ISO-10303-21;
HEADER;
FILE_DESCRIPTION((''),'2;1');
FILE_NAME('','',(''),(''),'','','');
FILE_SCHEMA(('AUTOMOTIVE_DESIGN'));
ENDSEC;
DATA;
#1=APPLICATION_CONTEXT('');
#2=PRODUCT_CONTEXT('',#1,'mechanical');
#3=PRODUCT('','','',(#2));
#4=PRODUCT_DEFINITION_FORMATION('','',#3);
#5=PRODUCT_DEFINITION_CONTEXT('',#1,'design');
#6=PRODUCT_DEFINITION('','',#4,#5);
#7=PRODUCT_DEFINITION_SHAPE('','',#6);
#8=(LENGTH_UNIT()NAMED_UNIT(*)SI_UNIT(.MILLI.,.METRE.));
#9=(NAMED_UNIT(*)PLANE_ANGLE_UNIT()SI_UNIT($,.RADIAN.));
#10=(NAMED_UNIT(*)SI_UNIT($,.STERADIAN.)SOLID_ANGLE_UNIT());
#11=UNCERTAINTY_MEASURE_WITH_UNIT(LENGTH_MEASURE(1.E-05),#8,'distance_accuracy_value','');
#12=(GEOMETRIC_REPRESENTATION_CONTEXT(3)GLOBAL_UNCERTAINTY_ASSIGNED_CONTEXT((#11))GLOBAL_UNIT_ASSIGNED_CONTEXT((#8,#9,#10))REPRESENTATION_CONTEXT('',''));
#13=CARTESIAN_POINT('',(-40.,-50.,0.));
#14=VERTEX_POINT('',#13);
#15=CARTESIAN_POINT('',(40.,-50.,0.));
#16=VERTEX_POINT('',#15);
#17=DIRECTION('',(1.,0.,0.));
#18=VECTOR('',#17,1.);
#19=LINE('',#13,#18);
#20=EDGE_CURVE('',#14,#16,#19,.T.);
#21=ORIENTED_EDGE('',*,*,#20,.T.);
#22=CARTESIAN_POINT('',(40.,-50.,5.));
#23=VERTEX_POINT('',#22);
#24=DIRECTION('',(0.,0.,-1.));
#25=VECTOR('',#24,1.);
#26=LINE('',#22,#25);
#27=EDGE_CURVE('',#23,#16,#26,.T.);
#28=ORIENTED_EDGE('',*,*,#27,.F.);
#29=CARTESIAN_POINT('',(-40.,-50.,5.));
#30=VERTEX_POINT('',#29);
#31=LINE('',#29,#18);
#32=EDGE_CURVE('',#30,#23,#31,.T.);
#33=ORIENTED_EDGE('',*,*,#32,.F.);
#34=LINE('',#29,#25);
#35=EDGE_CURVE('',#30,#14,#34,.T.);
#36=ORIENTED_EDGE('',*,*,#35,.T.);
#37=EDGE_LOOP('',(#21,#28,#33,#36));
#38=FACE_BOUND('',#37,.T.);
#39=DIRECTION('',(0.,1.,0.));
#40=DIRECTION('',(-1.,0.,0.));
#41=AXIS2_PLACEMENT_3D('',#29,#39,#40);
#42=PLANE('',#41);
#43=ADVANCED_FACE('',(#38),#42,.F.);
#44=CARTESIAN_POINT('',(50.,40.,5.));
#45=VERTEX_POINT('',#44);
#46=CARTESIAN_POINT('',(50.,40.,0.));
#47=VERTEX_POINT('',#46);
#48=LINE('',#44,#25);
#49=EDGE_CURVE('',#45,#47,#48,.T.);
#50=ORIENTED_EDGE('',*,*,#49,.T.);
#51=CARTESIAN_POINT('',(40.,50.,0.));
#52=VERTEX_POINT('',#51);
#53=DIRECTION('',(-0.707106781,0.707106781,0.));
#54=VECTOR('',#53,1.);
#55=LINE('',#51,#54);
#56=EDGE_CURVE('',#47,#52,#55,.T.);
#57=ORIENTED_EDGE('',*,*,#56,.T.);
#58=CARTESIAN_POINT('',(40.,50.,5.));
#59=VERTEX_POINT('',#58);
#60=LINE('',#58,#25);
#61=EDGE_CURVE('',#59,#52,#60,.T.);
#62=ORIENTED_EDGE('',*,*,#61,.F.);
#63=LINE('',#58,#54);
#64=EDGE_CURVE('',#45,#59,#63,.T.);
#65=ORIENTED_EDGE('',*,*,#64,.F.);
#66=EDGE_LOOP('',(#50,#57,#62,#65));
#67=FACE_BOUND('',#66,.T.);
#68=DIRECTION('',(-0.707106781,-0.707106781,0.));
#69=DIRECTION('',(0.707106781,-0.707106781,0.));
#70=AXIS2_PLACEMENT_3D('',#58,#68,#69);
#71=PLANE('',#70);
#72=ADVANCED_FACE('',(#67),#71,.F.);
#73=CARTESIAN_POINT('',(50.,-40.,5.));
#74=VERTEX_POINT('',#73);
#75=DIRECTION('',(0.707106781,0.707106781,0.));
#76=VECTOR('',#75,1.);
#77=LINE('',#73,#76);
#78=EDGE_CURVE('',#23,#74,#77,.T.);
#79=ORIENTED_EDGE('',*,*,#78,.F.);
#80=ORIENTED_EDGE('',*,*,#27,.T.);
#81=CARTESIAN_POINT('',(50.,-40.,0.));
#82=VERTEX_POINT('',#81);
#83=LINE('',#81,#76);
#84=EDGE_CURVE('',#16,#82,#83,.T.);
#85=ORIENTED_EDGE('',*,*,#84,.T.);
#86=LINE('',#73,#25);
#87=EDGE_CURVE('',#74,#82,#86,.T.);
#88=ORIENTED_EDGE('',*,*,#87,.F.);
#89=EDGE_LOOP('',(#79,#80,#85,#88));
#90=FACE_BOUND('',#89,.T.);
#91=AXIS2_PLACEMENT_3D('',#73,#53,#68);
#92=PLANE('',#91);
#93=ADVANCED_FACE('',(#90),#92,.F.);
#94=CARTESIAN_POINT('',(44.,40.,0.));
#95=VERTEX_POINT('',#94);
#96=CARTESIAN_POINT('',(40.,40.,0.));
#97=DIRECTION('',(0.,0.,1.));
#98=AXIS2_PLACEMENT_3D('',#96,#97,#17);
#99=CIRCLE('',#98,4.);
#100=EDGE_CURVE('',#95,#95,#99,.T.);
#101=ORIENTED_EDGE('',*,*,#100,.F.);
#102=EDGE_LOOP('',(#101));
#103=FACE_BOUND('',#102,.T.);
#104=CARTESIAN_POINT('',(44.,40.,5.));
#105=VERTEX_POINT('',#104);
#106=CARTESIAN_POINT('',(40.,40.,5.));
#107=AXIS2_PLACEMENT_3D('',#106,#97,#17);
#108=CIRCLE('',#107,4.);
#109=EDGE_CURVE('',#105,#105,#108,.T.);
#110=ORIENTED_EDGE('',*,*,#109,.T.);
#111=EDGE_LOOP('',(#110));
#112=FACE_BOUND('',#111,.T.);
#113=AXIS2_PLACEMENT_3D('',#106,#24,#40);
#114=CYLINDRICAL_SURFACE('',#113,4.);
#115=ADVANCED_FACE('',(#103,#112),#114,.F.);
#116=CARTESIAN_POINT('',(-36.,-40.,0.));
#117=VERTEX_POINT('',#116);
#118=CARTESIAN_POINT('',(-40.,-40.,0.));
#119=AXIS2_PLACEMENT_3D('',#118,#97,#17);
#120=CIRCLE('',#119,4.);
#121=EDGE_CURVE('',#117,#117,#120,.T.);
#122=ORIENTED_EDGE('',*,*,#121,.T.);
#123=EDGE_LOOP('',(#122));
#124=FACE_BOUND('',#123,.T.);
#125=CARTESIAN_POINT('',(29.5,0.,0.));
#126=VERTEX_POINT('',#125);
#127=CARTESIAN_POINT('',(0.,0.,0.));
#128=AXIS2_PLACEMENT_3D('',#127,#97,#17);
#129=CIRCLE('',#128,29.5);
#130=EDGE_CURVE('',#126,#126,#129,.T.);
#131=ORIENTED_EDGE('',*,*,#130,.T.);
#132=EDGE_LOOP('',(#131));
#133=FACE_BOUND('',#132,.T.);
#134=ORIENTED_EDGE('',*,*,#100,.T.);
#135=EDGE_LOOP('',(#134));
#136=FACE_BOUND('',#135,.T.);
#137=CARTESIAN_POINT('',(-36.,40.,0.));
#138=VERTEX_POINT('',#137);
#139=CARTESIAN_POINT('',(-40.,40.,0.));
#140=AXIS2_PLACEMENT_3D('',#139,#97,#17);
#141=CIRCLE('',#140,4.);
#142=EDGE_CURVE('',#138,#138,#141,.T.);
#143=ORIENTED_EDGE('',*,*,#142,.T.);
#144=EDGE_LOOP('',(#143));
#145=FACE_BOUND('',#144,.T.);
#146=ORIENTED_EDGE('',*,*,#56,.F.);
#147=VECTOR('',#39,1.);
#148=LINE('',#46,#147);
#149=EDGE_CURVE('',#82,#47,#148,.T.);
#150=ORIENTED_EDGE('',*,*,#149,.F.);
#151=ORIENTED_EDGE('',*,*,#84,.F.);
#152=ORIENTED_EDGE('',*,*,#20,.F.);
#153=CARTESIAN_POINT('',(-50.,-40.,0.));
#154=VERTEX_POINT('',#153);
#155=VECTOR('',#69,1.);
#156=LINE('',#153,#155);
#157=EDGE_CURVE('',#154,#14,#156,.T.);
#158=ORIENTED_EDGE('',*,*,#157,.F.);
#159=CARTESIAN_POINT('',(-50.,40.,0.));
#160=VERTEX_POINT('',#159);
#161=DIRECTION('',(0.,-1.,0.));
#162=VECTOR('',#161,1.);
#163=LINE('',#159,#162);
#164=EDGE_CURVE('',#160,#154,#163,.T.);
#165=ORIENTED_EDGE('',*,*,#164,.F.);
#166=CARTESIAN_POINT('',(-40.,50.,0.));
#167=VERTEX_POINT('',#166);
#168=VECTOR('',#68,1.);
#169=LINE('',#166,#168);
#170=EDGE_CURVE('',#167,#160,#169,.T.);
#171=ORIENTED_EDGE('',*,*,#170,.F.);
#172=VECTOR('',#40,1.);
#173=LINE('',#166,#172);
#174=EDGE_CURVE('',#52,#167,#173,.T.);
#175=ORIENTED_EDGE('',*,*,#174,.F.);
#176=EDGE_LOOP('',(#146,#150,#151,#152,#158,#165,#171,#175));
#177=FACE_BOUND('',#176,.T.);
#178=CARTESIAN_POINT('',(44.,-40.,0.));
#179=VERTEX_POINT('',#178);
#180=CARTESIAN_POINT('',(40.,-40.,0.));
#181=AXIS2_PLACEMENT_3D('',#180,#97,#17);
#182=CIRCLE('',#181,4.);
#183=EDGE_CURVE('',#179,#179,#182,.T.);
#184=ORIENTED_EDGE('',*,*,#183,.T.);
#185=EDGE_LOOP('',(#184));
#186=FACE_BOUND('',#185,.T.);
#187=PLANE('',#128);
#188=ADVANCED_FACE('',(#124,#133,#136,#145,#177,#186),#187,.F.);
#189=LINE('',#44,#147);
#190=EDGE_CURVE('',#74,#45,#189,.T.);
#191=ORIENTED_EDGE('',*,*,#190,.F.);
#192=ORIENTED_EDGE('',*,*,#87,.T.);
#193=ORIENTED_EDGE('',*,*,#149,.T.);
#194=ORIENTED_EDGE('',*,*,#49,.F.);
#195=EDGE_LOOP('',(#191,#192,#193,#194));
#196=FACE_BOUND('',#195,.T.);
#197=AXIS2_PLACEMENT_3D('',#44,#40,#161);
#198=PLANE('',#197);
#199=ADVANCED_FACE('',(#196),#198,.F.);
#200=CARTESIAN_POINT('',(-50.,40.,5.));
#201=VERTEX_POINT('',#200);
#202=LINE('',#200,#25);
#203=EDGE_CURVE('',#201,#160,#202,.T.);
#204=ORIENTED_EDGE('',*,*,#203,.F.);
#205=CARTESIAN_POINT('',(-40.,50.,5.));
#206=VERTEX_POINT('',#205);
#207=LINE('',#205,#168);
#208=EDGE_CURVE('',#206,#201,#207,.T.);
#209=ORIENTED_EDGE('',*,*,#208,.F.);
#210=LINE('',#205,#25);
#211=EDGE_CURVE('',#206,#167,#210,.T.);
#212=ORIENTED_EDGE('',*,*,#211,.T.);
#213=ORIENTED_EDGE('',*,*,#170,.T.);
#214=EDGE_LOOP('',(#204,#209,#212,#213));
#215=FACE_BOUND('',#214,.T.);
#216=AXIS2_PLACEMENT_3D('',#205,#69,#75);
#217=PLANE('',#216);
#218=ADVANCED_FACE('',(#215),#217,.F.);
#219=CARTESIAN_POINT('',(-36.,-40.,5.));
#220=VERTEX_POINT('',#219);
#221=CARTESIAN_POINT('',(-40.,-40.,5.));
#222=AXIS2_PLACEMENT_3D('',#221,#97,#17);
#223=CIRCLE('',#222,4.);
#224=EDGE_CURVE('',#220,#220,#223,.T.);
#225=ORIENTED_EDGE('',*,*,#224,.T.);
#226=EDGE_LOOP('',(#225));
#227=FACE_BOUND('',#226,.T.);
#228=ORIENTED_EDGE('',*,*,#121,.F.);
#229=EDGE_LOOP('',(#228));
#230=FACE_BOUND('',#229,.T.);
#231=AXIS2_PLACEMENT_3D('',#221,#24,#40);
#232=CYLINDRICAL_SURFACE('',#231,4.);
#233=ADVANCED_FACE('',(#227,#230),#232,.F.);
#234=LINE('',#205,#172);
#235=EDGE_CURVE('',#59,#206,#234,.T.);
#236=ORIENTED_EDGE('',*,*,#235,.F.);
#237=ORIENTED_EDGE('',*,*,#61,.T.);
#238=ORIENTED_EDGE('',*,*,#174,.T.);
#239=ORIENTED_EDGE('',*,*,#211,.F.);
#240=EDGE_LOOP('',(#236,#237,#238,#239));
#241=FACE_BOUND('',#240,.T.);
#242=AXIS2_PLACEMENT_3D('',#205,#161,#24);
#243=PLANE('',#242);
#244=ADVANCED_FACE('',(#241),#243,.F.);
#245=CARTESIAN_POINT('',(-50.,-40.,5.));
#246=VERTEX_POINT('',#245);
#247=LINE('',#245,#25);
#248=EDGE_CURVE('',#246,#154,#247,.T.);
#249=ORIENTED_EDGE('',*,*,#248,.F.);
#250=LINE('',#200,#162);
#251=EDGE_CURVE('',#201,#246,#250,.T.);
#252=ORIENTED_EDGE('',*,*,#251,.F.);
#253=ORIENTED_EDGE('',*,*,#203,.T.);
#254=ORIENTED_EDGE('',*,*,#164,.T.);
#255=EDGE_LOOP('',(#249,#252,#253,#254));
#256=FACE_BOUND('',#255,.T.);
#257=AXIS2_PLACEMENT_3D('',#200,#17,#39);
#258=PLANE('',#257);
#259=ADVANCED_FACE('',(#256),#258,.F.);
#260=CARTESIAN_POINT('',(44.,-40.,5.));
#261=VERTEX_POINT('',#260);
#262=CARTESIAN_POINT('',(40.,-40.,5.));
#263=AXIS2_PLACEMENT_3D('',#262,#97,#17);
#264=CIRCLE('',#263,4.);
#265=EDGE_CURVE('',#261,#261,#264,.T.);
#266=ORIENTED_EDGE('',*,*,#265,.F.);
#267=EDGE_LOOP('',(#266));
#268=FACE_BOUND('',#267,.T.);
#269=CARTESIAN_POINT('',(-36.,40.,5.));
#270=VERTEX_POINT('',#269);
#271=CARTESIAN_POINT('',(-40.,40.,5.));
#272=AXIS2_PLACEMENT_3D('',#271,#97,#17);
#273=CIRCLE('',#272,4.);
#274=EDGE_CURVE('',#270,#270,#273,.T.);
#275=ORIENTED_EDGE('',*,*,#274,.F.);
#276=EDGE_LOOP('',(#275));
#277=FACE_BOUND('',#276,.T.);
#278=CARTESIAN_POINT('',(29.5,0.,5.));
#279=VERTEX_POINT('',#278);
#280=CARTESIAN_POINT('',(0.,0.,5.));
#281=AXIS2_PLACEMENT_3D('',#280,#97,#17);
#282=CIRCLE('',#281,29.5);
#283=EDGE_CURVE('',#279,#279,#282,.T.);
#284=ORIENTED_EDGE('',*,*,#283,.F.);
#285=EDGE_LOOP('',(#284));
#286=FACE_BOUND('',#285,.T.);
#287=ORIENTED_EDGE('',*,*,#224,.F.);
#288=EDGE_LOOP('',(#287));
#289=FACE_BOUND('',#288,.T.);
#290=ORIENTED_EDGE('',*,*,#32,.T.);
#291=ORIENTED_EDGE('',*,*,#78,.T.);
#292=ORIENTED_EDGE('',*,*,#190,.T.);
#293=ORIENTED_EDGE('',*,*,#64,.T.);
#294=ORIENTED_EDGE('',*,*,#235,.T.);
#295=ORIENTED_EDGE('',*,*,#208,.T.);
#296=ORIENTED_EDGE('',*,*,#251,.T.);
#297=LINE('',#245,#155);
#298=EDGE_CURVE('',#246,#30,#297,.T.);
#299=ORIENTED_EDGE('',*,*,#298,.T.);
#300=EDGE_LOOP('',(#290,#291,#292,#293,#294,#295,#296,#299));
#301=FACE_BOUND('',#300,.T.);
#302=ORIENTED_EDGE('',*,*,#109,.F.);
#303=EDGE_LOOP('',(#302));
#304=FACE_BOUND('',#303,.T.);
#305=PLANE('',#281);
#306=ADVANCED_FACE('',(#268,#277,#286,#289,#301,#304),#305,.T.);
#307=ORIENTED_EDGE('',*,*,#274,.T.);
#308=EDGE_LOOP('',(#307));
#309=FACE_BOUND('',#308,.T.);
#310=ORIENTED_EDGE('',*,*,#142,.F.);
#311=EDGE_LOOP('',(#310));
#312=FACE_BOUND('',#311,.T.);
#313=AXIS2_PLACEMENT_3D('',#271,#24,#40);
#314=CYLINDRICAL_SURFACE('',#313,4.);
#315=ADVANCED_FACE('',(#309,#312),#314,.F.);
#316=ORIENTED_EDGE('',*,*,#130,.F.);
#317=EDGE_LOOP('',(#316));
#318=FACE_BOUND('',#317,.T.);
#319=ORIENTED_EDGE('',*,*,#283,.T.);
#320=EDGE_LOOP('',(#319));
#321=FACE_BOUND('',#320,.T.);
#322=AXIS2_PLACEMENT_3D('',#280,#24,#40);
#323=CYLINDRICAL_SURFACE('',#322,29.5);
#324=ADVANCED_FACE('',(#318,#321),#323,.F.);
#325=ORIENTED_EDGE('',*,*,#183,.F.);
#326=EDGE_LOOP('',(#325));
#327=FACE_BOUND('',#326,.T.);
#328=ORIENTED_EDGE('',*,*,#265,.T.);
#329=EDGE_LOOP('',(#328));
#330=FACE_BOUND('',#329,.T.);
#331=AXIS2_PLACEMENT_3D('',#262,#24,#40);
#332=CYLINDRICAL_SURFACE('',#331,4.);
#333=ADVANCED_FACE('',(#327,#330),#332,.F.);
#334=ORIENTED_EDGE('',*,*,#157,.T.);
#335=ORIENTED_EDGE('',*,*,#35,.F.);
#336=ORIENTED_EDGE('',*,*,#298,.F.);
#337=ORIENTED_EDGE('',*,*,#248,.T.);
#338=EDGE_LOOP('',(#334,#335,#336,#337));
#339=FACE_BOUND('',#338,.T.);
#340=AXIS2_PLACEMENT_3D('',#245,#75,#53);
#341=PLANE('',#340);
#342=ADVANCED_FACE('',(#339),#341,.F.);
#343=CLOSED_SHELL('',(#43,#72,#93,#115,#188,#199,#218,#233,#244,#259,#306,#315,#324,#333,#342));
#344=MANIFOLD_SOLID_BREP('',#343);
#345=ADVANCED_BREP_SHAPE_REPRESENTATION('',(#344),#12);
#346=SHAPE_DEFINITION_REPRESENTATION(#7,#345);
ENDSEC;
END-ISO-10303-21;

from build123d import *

# Parameters (mm, degrees)
SKETCH2_R           = 29.5
SKETCH2_R_2         = 4
BOSS_EXTRUDE2_DEPTH = 5


with BuildPart() as part:
    # Sketch2 → Boss-Extrude2 (new body)
    with BuildSketch(Plane.XY):
        Polygon((-40, 50), (-50, 40), (-50, -40), (-40, -50), (40, -50), (50, -40), (50, 40), (40, 50), align=None)
        Circle(SKETCH2_R, mode=Mode.SUBTRACT)
        with Locations((-40, 40)):
            Circle(SKETCH2_R_2, mode=Mode.SUBTRACT)
        with Locations((40, 40)):
            Circle(SKETCH2_R_2, mode=Mode.SUBTRACT)
        with Locations((40, -40)):
            Circle(SKETCH2_R_2, mode=Mode.SUBTRACT)
        with Locations((-40, -40)):
            Circle(SKETCH2_R_2, mode=Mode.SUBTRACT)
    extrude(amount=BOSS_EXTRUDE2_DEPTH)


solid = part.part
